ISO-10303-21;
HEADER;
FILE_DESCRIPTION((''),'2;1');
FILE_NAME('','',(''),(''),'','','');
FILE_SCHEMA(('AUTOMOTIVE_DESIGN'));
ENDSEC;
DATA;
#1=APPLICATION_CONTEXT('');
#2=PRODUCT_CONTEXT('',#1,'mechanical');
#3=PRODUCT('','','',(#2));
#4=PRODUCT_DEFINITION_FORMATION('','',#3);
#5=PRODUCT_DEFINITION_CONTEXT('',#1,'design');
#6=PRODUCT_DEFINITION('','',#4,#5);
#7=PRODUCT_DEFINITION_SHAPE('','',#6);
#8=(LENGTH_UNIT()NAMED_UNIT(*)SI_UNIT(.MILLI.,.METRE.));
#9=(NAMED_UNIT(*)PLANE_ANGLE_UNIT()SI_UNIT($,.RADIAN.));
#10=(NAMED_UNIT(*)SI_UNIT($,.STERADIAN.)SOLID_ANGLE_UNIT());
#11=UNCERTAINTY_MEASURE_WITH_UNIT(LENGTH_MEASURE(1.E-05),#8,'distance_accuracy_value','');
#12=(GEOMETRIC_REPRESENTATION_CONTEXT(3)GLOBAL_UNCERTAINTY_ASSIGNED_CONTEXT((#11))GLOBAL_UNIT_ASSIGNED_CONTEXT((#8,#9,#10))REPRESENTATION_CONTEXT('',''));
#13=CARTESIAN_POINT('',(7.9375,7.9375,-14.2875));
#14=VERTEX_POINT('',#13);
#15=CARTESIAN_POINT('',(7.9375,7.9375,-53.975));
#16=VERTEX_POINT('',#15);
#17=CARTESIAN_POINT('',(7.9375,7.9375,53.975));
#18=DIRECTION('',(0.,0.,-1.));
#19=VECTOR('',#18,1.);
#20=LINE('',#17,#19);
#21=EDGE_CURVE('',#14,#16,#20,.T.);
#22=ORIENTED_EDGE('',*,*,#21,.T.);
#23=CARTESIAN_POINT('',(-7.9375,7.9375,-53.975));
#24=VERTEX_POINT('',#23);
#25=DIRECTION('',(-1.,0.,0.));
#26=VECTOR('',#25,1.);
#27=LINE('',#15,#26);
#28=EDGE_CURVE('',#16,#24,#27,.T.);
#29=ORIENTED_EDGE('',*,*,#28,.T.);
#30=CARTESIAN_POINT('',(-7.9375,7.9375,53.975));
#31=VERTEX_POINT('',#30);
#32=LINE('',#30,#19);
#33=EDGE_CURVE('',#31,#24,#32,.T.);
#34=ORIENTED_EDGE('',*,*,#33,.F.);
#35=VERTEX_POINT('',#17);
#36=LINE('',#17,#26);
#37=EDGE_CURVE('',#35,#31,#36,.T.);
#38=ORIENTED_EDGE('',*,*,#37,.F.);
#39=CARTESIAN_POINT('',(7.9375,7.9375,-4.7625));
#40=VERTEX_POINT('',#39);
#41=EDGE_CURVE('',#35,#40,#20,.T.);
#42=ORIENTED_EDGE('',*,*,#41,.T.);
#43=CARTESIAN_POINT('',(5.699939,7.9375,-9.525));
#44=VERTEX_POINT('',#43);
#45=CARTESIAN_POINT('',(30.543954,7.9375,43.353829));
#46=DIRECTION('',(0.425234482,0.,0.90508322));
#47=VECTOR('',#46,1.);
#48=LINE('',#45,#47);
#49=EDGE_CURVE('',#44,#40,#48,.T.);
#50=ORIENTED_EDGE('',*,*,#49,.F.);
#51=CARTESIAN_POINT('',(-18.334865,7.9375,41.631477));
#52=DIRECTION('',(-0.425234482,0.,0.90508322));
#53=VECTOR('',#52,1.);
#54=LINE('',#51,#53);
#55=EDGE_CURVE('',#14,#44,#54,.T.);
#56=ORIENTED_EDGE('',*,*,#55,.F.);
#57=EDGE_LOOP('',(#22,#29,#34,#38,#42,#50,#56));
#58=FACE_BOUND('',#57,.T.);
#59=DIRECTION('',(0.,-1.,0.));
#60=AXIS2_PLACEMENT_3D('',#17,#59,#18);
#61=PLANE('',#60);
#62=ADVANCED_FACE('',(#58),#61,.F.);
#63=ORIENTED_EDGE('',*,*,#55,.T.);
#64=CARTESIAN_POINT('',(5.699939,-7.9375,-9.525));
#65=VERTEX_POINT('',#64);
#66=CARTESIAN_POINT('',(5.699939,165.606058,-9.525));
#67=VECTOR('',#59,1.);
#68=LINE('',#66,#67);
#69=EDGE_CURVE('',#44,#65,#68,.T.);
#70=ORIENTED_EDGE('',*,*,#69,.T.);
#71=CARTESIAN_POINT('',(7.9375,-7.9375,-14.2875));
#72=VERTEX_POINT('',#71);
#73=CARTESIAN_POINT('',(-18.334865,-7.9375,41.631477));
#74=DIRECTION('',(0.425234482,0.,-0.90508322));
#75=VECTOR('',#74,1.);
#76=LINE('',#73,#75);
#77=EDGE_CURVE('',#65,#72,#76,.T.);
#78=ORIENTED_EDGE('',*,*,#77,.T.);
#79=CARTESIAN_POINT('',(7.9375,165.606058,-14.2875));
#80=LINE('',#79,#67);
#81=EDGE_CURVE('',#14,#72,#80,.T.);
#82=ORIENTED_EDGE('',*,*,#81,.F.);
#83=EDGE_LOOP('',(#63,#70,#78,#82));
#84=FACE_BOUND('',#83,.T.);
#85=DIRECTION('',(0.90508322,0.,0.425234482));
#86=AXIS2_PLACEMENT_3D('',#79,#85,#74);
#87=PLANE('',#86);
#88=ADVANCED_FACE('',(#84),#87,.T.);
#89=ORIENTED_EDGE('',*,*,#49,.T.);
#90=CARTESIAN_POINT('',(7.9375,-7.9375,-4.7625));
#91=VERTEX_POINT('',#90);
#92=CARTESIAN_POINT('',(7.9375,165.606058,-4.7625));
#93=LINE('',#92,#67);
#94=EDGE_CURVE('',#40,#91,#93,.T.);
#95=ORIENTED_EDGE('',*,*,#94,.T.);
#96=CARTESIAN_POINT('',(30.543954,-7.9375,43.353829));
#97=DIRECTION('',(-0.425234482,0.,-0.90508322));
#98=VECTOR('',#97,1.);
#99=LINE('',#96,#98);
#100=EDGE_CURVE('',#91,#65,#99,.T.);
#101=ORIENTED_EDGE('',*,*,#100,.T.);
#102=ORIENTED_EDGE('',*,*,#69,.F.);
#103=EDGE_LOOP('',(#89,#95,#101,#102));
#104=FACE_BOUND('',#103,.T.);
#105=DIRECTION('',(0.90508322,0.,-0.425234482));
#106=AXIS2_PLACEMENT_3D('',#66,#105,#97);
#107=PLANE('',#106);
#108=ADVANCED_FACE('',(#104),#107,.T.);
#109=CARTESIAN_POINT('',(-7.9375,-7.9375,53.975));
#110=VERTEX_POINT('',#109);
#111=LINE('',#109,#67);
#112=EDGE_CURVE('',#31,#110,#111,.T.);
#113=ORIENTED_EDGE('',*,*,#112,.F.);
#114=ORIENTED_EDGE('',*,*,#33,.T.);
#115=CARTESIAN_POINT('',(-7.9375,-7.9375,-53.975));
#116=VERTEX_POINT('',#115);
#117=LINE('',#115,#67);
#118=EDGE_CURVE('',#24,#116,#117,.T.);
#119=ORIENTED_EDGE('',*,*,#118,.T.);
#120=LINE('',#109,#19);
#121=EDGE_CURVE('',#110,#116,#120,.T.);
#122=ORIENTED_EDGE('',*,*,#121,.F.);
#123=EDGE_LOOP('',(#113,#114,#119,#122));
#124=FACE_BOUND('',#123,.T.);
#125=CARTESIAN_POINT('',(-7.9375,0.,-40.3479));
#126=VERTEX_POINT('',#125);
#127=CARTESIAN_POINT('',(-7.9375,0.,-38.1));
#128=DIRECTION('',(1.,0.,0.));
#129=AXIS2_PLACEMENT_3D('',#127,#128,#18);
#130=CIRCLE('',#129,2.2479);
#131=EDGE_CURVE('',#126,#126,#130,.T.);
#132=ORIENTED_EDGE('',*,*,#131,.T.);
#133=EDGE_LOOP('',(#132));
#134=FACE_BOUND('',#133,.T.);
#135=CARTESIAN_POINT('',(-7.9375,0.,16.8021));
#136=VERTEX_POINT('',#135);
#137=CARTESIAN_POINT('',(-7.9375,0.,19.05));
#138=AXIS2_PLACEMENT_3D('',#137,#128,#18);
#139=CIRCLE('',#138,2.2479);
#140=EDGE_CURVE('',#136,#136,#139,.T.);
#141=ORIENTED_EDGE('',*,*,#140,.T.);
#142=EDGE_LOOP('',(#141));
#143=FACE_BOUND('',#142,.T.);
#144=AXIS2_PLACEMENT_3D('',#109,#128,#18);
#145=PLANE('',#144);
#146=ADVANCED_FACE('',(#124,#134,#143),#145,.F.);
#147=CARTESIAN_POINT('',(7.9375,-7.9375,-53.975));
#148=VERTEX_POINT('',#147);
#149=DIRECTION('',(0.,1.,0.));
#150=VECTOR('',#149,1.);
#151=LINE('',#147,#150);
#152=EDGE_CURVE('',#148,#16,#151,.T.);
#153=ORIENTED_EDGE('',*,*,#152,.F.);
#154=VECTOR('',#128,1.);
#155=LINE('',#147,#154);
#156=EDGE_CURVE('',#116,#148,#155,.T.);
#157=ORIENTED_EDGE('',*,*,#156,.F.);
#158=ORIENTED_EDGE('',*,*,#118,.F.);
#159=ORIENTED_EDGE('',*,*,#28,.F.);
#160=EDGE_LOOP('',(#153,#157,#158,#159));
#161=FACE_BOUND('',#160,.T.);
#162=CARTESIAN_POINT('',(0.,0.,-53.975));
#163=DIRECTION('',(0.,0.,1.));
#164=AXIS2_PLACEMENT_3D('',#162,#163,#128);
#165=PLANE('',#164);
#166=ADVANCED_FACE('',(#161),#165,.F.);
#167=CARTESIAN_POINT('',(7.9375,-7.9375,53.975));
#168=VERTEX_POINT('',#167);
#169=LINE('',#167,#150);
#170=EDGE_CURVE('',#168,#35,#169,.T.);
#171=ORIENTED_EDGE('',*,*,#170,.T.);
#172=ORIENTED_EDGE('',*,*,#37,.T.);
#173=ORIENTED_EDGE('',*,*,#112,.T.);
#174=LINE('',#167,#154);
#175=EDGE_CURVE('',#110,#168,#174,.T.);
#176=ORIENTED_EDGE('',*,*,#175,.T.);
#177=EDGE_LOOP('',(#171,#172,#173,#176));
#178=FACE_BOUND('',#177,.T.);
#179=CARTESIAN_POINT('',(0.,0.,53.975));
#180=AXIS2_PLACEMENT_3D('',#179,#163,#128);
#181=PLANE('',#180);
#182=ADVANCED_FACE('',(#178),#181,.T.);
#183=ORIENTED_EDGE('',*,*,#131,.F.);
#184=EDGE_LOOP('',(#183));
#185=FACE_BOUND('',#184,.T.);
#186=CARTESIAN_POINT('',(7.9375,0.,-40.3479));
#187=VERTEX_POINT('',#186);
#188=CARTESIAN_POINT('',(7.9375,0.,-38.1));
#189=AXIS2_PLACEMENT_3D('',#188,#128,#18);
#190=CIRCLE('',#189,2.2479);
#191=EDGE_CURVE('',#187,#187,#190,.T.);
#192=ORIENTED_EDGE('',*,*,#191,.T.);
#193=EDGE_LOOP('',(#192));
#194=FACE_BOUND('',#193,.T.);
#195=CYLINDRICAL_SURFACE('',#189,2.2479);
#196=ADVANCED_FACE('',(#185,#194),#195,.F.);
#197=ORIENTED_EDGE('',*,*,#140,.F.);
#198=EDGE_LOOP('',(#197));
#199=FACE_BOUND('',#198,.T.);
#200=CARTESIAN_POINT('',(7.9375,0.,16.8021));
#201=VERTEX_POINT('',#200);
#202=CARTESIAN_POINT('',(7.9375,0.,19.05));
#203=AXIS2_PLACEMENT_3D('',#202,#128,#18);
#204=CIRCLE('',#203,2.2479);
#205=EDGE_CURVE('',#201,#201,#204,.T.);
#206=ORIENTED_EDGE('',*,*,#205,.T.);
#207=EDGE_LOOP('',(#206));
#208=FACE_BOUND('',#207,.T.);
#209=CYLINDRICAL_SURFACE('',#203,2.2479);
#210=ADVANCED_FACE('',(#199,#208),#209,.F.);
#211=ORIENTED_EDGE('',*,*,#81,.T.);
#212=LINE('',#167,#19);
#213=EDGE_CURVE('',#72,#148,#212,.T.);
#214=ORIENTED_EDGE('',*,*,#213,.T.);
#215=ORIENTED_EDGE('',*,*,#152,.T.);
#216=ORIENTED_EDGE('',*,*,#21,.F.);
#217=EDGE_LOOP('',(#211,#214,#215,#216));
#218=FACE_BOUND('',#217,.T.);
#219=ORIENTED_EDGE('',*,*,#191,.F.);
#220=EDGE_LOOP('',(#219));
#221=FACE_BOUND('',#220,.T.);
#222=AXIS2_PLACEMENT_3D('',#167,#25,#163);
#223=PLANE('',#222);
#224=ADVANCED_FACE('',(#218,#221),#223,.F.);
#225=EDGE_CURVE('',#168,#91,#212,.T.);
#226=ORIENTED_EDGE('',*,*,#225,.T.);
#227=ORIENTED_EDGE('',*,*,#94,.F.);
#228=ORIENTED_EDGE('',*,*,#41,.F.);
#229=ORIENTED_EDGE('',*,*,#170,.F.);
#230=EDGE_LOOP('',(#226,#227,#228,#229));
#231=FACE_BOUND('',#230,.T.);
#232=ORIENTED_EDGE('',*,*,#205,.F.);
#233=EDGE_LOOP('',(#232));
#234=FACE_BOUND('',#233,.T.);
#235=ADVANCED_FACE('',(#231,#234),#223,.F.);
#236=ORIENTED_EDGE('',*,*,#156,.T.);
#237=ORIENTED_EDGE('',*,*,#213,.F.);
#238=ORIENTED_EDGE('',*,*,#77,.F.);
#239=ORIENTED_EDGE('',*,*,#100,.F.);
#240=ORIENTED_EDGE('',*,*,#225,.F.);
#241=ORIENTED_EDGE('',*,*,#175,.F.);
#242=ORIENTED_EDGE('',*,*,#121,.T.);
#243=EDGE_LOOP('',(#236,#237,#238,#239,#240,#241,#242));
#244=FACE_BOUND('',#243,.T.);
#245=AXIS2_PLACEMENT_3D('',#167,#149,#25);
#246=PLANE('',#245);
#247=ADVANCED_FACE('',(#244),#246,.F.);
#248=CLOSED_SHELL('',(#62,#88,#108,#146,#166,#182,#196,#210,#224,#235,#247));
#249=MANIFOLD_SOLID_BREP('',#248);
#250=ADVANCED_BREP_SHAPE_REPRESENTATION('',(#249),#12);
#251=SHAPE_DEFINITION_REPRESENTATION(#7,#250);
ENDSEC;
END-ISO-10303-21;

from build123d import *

# Parameters (mm, degrees)
SKETCH1_W               = 15.875
SKETCH1_H               = 15.875
BOSS_EXTRUDE1_DEPTH     = 53.975
CUT_EXTRUDE1_DEPTH      = 57.818308284
CUT_EXTRUDE1_DEPTH_BACK = 57.818308284
F_12_24_TAPPED_HOLE1_D  = 4.4958


with BuildPart() as part:
    # Sketch1 → Boss-Extrude1 (new, symmetric)
    with BuildSketch(Plane.XY):
        Rectangle(SKETCH1_W, SKETCH1_H)
    extrude(amount=BOSS_EXTRUDE1_DEPTH, both=True)

    # Sketch2 → Cut-Extrude1 (cut, two sides: drawn at the far end of the back side and taken through both)
    with BuildSketch(Plane(origin=(0, 7.9375, 0), x_dir=(1, 0, 0), z_dir=(0, 1, 0)).offset(-CUT_EXTRUDE1_DEPTH_BACK)):
        Polygon((71.794217754, 150.202262663), (7.9375, 14.2875), (5.699938661, 9.525), (7.9375, 4.7625), (71.794217754, -131.152262663), (372.130716448, -131.152262663), (372.130716448, 150.202262663), align=None)
    extrude(amount=CUT_EXTRUDE1_DEPTH + CUT_EXTRUDE1_DEPTH_BACK, mode=Mode.SUBTRACT)

    # #12-24 Tapped Hole1 (through all)
    with Locations(Plane(origin=(7.9375, 0, 0), x_dir=(0, 0, -1), z_dir=(1, 0, 0))):
        with Locations((38.1, 0), (-19.05, 0)):
            Hole(F_12_24_TAPPED_HOLE1_D / 2)


solid = part.part
